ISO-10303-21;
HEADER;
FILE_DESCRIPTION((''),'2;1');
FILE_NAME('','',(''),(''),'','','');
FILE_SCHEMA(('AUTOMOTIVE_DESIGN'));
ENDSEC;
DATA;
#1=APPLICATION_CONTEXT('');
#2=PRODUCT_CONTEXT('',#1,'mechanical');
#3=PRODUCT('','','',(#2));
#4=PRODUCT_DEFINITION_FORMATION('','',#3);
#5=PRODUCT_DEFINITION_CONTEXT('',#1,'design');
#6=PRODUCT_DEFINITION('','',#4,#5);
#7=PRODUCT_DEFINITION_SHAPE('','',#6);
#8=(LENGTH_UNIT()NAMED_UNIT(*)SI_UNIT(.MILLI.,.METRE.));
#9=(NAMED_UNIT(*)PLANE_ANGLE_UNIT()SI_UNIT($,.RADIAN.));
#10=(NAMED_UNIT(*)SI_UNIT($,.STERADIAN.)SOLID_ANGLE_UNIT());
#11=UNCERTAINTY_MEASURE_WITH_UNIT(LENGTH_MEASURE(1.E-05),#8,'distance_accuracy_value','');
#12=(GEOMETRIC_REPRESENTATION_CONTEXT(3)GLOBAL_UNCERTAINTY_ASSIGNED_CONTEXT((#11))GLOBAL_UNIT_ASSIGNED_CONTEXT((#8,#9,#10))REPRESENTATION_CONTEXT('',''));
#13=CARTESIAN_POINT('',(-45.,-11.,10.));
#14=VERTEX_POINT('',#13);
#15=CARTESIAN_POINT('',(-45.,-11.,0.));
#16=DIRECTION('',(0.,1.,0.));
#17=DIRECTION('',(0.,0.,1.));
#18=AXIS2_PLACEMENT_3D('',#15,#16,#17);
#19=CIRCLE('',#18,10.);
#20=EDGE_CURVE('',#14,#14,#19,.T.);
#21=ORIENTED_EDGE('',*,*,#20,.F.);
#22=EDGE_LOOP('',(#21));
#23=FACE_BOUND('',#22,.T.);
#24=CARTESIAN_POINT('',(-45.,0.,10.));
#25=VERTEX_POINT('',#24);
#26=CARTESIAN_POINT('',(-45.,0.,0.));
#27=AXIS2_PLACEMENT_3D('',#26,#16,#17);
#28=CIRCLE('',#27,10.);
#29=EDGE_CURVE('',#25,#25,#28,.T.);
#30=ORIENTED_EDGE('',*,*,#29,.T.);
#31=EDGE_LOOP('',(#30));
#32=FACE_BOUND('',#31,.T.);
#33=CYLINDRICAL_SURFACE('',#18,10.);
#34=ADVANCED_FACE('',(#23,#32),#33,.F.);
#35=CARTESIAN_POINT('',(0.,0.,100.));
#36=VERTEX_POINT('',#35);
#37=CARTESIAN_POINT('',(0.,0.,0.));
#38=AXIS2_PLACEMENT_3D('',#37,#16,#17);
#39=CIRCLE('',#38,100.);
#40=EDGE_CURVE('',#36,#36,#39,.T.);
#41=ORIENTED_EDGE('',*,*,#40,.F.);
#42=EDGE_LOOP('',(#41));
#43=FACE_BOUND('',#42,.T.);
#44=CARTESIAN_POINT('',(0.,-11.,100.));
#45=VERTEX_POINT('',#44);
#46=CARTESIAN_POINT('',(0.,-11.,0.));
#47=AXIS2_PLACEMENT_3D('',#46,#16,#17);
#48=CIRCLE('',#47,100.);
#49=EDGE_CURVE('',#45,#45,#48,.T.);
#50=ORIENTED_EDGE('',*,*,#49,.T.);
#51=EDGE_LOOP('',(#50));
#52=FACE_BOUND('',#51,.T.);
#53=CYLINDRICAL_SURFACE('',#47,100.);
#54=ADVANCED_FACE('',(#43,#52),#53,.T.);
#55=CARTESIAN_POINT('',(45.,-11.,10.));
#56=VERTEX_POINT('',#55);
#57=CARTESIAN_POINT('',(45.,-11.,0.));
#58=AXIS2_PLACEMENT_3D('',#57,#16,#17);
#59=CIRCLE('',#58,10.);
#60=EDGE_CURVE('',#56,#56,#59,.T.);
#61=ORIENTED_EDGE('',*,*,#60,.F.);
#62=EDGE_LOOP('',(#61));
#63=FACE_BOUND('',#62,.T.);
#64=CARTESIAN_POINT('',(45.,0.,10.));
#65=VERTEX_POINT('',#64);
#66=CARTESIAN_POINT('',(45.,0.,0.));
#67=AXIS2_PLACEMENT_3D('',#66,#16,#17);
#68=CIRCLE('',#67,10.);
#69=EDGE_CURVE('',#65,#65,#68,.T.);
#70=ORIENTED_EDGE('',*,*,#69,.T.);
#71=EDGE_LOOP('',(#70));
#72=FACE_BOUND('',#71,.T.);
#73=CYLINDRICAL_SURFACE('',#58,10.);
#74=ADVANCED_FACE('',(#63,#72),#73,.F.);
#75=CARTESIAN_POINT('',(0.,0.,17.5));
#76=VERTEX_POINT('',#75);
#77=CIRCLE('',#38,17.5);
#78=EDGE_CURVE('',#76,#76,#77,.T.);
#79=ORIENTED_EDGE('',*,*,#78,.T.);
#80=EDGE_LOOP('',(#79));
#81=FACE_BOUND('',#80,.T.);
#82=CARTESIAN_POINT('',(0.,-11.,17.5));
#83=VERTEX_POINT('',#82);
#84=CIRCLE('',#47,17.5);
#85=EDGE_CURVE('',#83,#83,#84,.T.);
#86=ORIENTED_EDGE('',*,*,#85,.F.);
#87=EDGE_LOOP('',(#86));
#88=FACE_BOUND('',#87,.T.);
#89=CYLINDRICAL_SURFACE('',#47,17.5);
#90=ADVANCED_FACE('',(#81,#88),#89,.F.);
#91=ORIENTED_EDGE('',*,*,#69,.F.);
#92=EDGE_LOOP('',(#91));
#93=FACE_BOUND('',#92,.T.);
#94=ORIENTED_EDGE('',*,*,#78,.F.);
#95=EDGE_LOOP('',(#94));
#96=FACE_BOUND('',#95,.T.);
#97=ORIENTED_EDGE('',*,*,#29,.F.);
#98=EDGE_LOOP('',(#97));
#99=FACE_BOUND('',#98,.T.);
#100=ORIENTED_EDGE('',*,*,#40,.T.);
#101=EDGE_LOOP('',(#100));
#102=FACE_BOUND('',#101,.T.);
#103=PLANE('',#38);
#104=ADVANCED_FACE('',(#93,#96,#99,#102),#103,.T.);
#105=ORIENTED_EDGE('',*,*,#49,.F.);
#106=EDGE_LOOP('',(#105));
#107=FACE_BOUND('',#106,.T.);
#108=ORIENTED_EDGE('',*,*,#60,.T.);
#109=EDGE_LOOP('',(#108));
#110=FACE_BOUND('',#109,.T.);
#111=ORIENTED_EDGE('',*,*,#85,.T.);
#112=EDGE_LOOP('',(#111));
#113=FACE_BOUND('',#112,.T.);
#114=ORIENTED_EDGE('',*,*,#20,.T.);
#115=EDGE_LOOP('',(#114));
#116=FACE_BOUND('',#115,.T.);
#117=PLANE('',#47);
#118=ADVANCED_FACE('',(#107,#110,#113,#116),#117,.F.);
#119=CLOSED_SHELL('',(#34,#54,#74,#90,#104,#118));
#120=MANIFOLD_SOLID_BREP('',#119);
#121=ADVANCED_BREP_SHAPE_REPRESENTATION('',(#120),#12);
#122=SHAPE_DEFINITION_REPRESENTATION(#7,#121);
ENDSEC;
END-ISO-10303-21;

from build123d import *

# Parameters (mm, degrees)
SKETCH_1_R      = 100
SKETCH_1_R_2    = 17.5
SKETCH_1_R_3    = 10
EXTRUDE_1_DEPTH = 11


with BuildPart() as part:
    # Эскиз1 → Бобышка-Вытянуть1 (new body)
    with BuildSketch(Plane(origin=(0, 0, 0), x_dir=(1, 0, 0), z_dir=(0, 1, 0))):
        with Locations(Location((0, 0, 0), (0, 0, 270))):
            Circle(SKETCH_1_R)
        with Locations(Location((0, 0, 0), (0, 0, 270))):
            Circle(SKETCH_1_R_2, mode=Mode.SUBTRACT)
        with Locations(Location((-45, 0, 0), (0, 0, 270))):
            Circle(SKETCH_1_R_3, mode=Mode.SUBTRACT)
        with Locations(Location((45, 0, 0), (0, 0, 270))):
            Circle(SKETCH_1_R_3, mode=Mode.SUBTRACT)
    extrude(amount=-EXTRUDE_1_DEPTH)


solid = part.part
